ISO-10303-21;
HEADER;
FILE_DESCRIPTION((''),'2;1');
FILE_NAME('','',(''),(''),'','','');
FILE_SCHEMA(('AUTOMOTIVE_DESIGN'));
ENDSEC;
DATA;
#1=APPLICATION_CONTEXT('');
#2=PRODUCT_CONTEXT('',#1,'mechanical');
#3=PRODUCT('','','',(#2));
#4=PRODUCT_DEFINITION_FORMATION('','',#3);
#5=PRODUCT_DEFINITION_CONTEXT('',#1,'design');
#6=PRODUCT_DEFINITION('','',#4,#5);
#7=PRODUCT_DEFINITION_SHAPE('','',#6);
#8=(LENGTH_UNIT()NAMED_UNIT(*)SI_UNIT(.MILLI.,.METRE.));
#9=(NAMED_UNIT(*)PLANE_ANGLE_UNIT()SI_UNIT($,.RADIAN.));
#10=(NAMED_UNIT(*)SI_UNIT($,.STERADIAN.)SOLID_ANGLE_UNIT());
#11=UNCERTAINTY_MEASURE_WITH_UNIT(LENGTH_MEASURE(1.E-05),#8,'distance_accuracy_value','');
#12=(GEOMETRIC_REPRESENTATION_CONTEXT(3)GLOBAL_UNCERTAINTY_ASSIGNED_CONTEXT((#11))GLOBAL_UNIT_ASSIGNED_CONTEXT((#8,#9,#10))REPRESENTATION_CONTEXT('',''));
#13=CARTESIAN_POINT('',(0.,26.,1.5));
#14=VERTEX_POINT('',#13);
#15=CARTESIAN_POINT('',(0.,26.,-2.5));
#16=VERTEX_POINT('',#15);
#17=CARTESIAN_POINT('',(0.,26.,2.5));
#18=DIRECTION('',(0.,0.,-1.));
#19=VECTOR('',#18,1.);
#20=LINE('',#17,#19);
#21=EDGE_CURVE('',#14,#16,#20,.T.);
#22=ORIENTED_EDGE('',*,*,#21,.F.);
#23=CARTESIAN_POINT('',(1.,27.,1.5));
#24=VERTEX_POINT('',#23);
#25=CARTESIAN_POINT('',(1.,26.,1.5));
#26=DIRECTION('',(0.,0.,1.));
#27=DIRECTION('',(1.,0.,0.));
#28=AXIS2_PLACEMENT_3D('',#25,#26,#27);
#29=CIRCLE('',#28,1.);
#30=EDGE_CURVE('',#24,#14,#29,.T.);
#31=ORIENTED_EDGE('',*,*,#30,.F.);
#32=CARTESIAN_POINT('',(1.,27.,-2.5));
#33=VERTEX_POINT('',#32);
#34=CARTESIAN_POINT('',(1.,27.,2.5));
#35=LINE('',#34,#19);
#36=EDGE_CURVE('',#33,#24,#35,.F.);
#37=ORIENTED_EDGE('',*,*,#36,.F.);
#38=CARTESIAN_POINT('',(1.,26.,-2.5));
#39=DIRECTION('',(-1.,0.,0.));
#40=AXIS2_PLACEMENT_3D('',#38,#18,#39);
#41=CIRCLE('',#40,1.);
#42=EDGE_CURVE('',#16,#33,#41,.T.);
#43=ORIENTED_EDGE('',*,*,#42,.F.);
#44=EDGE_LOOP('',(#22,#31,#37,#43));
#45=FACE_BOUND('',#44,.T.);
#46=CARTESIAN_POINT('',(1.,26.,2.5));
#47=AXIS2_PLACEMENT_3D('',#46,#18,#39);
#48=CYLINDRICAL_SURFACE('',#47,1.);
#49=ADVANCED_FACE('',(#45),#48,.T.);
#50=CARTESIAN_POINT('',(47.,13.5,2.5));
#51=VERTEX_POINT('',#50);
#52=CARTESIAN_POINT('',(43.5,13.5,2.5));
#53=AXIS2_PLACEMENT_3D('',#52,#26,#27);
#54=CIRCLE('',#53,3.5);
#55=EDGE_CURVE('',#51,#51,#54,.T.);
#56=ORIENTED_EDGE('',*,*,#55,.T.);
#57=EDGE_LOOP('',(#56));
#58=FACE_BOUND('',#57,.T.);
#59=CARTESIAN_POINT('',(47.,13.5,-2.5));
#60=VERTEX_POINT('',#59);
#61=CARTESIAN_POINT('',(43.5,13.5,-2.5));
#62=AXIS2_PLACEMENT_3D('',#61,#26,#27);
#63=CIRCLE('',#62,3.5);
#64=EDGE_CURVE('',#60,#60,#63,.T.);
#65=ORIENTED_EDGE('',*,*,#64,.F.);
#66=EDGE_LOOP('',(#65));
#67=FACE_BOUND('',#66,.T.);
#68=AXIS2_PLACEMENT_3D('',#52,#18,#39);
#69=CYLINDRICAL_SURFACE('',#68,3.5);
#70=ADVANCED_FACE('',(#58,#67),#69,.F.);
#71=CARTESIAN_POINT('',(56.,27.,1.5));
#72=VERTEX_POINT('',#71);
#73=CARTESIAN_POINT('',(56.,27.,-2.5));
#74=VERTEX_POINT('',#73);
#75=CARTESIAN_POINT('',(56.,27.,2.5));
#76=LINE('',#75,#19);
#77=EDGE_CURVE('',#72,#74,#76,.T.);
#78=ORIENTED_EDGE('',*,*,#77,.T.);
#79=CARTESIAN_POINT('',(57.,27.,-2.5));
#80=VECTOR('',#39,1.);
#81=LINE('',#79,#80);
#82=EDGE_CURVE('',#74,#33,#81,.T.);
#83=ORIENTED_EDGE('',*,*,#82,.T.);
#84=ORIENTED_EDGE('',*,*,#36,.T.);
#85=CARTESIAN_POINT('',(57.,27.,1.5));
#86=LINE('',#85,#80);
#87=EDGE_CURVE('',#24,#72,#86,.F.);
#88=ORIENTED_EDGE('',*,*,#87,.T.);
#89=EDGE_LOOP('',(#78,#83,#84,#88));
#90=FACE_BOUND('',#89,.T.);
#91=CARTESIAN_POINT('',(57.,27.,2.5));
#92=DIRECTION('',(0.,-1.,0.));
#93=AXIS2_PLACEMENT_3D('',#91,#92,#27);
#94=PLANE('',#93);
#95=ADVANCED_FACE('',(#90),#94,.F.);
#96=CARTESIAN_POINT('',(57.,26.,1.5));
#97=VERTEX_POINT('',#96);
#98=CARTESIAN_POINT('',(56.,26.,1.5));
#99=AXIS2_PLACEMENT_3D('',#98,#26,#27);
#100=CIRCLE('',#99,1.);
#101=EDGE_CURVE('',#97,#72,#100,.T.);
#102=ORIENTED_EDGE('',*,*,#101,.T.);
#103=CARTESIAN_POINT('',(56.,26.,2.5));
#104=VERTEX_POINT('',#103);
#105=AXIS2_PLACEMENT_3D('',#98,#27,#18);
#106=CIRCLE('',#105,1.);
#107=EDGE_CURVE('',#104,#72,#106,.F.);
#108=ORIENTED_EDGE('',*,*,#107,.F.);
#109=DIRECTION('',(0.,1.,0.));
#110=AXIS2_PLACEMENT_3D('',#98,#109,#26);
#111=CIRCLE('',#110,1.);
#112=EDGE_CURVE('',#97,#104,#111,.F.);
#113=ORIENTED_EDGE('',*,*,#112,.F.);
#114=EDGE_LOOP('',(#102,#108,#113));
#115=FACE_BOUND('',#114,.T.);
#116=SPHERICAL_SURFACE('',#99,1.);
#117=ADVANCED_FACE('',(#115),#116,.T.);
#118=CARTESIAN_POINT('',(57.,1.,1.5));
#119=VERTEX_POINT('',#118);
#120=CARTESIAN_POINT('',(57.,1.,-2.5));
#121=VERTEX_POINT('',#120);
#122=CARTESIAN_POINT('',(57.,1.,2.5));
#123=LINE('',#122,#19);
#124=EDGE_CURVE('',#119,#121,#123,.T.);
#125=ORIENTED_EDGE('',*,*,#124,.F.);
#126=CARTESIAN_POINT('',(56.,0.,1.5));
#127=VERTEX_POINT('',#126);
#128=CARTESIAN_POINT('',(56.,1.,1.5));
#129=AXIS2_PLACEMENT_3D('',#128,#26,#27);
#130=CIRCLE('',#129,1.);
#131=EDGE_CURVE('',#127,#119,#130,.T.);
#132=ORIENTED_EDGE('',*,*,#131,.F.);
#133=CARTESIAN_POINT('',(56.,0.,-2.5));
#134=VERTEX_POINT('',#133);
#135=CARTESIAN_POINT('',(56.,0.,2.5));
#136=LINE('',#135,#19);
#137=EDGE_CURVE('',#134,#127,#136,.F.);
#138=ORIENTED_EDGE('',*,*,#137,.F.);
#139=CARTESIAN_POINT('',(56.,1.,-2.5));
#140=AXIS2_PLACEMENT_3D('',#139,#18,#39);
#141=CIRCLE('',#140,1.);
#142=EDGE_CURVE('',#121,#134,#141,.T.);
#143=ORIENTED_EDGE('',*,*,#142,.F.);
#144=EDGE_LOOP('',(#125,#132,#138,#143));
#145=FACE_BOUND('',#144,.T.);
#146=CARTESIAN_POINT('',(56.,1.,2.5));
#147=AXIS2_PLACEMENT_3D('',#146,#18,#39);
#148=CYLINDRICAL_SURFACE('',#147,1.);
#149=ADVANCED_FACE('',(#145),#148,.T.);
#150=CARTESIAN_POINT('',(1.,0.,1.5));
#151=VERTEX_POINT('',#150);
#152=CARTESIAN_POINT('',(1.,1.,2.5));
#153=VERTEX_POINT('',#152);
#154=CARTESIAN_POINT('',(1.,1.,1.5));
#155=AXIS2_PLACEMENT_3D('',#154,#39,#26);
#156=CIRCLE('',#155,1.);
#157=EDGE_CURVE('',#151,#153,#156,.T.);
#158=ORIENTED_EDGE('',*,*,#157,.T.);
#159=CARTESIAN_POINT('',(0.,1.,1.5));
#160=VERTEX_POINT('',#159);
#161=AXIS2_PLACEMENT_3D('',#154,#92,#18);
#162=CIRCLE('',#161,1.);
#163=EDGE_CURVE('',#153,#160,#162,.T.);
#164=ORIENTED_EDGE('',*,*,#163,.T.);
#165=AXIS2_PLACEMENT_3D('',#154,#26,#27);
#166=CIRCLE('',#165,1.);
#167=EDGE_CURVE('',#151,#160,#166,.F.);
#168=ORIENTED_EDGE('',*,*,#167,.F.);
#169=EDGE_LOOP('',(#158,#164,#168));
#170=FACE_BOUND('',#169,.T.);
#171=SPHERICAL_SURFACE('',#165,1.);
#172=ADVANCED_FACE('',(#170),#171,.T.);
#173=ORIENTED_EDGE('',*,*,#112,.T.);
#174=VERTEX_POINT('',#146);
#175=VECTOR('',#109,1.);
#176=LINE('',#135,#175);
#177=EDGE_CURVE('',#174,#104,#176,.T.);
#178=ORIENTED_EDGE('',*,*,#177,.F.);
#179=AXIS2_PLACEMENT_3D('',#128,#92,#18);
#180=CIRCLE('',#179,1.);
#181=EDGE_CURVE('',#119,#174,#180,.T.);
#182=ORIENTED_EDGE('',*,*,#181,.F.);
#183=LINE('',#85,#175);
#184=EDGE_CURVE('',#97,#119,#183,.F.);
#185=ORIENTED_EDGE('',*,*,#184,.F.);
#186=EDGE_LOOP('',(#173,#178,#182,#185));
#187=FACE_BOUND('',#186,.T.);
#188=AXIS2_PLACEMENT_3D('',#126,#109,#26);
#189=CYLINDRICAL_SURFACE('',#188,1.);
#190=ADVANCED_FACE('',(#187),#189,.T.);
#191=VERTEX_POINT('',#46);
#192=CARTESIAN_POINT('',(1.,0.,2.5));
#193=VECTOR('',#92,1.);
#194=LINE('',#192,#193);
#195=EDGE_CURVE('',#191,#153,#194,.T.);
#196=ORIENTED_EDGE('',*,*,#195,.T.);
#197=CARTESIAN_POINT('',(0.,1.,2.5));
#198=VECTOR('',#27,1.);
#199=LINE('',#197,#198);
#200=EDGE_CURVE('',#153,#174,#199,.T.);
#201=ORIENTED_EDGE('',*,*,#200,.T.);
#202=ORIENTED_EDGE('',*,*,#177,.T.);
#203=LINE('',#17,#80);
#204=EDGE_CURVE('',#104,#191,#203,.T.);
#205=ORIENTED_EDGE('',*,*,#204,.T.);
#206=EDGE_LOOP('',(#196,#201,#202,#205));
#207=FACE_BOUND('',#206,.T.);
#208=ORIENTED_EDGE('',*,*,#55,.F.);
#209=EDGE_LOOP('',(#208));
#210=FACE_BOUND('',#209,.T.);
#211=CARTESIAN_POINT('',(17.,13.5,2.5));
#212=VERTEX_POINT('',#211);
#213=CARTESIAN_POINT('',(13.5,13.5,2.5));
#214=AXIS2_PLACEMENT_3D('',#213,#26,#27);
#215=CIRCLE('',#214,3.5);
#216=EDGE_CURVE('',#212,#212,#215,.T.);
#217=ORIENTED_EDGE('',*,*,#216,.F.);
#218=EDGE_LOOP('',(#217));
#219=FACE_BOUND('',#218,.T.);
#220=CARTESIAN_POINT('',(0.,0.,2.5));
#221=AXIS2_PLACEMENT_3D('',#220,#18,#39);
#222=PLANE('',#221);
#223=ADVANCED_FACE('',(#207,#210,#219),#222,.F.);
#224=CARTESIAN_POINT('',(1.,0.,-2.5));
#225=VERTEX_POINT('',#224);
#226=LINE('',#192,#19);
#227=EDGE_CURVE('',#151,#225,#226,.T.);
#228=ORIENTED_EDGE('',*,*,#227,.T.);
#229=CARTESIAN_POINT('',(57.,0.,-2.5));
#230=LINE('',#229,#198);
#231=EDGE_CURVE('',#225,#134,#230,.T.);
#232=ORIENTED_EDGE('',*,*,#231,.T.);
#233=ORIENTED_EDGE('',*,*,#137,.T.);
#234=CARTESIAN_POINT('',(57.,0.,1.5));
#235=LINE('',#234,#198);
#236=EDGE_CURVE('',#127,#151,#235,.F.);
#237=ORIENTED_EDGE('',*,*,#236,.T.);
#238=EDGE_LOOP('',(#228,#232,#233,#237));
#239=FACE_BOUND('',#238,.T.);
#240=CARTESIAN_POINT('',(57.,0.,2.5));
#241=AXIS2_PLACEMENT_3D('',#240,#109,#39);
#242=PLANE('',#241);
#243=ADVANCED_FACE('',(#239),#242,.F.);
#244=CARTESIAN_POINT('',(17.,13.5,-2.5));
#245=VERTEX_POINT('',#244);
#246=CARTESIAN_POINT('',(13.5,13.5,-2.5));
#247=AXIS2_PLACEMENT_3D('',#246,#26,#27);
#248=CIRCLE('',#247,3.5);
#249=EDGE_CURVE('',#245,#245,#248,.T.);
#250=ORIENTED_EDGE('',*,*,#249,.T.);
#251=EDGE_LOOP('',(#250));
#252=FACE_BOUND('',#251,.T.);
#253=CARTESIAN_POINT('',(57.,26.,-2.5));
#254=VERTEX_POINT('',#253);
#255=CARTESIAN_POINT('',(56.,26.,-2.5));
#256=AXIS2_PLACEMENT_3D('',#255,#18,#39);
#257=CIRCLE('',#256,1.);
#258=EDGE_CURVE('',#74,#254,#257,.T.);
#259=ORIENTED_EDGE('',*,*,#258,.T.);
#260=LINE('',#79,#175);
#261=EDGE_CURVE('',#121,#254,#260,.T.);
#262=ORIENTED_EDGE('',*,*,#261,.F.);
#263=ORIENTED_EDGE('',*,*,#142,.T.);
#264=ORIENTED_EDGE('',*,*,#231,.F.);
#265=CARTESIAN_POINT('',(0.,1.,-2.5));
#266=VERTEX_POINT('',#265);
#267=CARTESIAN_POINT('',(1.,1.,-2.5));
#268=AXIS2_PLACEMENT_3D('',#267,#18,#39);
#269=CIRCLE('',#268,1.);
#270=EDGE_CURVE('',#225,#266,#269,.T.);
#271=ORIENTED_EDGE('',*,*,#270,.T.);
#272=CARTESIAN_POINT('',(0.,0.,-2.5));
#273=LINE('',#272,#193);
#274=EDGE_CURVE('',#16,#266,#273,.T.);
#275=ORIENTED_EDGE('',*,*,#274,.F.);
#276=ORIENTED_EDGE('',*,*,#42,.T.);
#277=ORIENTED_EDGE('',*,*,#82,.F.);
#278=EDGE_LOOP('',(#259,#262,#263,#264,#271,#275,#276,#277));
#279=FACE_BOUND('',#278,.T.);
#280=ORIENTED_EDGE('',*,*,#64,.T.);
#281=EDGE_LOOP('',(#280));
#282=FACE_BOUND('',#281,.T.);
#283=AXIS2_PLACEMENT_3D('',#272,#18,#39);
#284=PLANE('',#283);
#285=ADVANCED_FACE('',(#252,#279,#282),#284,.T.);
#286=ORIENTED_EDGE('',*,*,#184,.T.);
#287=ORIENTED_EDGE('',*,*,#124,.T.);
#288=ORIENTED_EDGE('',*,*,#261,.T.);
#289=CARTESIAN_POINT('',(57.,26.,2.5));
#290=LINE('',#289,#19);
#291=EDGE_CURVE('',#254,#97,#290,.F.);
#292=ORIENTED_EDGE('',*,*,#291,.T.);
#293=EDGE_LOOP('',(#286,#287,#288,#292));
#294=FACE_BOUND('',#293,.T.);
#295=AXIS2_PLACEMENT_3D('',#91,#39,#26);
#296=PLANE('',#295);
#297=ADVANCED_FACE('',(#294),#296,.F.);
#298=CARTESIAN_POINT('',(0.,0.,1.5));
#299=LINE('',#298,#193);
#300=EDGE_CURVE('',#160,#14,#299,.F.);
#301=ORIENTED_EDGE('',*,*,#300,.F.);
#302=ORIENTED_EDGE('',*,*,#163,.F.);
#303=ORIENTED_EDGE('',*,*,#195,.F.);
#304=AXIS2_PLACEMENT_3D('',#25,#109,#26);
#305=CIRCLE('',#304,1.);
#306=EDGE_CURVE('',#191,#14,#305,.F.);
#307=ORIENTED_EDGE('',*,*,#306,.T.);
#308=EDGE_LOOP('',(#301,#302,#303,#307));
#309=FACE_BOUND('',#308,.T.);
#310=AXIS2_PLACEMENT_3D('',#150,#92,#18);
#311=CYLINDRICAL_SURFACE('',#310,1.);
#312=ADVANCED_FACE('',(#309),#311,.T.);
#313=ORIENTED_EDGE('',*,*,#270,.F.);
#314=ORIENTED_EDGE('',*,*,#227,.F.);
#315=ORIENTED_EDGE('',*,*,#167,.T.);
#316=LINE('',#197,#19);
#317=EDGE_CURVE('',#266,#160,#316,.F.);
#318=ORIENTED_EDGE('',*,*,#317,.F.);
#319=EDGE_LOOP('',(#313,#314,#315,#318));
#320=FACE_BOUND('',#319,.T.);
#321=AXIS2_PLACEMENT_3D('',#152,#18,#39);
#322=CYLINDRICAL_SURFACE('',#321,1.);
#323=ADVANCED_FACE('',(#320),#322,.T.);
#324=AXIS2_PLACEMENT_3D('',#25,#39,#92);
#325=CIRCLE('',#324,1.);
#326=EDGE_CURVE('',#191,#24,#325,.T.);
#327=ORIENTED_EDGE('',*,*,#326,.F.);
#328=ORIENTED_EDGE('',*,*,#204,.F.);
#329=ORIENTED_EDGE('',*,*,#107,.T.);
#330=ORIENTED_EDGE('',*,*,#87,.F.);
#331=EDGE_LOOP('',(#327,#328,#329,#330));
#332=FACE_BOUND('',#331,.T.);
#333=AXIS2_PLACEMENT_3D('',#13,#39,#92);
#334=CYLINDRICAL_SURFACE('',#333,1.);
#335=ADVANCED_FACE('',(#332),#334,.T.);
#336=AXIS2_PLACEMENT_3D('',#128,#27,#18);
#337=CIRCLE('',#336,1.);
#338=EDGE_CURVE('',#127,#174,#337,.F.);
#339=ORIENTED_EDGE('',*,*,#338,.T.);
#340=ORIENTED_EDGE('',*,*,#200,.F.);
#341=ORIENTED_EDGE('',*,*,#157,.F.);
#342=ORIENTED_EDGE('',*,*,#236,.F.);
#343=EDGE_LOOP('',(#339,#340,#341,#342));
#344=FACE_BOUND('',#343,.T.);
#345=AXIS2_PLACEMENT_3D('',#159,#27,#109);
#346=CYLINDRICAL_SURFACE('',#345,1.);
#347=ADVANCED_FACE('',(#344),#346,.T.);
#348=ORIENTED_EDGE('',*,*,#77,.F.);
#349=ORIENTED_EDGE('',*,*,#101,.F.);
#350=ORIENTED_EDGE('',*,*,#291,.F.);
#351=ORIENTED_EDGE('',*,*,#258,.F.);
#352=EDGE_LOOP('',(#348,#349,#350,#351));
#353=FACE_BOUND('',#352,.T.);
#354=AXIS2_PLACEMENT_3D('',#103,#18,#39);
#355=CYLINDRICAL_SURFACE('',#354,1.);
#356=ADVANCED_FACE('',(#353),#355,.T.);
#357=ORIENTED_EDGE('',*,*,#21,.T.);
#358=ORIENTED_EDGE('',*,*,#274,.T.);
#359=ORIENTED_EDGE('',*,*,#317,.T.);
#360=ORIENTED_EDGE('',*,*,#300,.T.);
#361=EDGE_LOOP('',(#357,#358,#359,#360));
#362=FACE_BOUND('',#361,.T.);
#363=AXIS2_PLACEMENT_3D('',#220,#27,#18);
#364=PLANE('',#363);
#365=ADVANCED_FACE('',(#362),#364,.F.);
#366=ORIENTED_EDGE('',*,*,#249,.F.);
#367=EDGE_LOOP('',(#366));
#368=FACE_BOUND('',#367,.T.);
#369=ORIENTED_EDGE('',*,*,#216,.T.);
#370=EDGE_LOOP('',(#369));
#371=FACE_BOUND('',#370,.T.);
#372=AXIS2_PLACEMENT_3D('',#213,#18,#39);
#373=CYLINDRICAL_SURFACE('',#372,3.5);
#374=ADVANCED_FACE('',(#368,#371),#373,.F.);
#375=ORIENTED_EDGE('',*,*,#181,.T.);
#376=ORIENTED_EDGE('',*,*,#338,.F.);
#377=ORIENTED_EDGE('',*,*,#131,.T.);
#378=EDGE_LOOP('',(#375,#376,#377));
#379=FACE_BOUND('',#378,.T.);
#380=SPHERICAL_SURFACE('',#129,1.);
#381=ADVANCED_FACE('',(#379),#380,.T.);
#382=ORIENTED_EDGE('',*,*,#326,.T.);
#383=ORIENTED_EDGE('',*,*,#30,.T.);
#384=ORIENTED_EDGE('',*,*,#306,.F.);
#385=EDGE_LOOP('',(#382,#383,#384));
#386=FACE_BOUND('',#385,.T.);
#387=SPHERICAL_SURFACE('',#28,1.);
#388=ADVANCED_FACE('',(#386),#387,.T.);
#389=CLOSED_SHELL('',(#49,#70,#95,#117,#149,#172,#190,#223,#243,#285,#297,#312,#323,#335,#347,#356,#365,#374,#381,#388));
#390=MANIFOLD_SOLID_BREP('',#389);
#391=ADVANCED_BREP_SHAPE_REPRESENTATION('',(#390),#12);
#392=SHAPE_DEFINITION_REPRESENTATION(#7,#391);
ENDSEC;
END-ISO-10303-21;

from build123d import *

# Parameters (mm, degrees)
SKETCH1_W           = 57
SKETCH1_H           = 27
SKETCH1_R           = 3.5
BOSS_EXTRUDE1_DEPTH = 2.5
FILLET1_R           = 1


with BuildPart() as part:
    # Sketch1 → Boss-Extrude1 (new, symmetric)
    with BuildSketch(Plane.XY):
        with Locations((28.5, 13.5)):
            Rectangle(SKETCH1_W, SKETCH1_H)
        with Locations((13.5, 13.5)):
            Circle(SKETCH1_R, mode=Mode.SUBTRACT)
        with Locations((43.5, 13.5)):
            Circle(SKETCH1_R, mode=Mode.SUBTRACT)
    extrude(amount=BOSS_EXTRUDE1_DEPTH, both=True)

    # Fillet1
    fillet1_edges = [part.edges().sort_by_distance(p)[0] for p in [
        (28.5, 27, 2.5),
        (0, 13.5, 2.5),
        (28.5, 0, 2.5),
        (57, 13.5, 2.5),
        (0, 0, 0),
        (0, 27, 0),
        (57, 27, 0),
        (57, 0, 0),
    ]]
    fillet(fillet1_edges, radius=FILLET1_R)


solid = part.part
